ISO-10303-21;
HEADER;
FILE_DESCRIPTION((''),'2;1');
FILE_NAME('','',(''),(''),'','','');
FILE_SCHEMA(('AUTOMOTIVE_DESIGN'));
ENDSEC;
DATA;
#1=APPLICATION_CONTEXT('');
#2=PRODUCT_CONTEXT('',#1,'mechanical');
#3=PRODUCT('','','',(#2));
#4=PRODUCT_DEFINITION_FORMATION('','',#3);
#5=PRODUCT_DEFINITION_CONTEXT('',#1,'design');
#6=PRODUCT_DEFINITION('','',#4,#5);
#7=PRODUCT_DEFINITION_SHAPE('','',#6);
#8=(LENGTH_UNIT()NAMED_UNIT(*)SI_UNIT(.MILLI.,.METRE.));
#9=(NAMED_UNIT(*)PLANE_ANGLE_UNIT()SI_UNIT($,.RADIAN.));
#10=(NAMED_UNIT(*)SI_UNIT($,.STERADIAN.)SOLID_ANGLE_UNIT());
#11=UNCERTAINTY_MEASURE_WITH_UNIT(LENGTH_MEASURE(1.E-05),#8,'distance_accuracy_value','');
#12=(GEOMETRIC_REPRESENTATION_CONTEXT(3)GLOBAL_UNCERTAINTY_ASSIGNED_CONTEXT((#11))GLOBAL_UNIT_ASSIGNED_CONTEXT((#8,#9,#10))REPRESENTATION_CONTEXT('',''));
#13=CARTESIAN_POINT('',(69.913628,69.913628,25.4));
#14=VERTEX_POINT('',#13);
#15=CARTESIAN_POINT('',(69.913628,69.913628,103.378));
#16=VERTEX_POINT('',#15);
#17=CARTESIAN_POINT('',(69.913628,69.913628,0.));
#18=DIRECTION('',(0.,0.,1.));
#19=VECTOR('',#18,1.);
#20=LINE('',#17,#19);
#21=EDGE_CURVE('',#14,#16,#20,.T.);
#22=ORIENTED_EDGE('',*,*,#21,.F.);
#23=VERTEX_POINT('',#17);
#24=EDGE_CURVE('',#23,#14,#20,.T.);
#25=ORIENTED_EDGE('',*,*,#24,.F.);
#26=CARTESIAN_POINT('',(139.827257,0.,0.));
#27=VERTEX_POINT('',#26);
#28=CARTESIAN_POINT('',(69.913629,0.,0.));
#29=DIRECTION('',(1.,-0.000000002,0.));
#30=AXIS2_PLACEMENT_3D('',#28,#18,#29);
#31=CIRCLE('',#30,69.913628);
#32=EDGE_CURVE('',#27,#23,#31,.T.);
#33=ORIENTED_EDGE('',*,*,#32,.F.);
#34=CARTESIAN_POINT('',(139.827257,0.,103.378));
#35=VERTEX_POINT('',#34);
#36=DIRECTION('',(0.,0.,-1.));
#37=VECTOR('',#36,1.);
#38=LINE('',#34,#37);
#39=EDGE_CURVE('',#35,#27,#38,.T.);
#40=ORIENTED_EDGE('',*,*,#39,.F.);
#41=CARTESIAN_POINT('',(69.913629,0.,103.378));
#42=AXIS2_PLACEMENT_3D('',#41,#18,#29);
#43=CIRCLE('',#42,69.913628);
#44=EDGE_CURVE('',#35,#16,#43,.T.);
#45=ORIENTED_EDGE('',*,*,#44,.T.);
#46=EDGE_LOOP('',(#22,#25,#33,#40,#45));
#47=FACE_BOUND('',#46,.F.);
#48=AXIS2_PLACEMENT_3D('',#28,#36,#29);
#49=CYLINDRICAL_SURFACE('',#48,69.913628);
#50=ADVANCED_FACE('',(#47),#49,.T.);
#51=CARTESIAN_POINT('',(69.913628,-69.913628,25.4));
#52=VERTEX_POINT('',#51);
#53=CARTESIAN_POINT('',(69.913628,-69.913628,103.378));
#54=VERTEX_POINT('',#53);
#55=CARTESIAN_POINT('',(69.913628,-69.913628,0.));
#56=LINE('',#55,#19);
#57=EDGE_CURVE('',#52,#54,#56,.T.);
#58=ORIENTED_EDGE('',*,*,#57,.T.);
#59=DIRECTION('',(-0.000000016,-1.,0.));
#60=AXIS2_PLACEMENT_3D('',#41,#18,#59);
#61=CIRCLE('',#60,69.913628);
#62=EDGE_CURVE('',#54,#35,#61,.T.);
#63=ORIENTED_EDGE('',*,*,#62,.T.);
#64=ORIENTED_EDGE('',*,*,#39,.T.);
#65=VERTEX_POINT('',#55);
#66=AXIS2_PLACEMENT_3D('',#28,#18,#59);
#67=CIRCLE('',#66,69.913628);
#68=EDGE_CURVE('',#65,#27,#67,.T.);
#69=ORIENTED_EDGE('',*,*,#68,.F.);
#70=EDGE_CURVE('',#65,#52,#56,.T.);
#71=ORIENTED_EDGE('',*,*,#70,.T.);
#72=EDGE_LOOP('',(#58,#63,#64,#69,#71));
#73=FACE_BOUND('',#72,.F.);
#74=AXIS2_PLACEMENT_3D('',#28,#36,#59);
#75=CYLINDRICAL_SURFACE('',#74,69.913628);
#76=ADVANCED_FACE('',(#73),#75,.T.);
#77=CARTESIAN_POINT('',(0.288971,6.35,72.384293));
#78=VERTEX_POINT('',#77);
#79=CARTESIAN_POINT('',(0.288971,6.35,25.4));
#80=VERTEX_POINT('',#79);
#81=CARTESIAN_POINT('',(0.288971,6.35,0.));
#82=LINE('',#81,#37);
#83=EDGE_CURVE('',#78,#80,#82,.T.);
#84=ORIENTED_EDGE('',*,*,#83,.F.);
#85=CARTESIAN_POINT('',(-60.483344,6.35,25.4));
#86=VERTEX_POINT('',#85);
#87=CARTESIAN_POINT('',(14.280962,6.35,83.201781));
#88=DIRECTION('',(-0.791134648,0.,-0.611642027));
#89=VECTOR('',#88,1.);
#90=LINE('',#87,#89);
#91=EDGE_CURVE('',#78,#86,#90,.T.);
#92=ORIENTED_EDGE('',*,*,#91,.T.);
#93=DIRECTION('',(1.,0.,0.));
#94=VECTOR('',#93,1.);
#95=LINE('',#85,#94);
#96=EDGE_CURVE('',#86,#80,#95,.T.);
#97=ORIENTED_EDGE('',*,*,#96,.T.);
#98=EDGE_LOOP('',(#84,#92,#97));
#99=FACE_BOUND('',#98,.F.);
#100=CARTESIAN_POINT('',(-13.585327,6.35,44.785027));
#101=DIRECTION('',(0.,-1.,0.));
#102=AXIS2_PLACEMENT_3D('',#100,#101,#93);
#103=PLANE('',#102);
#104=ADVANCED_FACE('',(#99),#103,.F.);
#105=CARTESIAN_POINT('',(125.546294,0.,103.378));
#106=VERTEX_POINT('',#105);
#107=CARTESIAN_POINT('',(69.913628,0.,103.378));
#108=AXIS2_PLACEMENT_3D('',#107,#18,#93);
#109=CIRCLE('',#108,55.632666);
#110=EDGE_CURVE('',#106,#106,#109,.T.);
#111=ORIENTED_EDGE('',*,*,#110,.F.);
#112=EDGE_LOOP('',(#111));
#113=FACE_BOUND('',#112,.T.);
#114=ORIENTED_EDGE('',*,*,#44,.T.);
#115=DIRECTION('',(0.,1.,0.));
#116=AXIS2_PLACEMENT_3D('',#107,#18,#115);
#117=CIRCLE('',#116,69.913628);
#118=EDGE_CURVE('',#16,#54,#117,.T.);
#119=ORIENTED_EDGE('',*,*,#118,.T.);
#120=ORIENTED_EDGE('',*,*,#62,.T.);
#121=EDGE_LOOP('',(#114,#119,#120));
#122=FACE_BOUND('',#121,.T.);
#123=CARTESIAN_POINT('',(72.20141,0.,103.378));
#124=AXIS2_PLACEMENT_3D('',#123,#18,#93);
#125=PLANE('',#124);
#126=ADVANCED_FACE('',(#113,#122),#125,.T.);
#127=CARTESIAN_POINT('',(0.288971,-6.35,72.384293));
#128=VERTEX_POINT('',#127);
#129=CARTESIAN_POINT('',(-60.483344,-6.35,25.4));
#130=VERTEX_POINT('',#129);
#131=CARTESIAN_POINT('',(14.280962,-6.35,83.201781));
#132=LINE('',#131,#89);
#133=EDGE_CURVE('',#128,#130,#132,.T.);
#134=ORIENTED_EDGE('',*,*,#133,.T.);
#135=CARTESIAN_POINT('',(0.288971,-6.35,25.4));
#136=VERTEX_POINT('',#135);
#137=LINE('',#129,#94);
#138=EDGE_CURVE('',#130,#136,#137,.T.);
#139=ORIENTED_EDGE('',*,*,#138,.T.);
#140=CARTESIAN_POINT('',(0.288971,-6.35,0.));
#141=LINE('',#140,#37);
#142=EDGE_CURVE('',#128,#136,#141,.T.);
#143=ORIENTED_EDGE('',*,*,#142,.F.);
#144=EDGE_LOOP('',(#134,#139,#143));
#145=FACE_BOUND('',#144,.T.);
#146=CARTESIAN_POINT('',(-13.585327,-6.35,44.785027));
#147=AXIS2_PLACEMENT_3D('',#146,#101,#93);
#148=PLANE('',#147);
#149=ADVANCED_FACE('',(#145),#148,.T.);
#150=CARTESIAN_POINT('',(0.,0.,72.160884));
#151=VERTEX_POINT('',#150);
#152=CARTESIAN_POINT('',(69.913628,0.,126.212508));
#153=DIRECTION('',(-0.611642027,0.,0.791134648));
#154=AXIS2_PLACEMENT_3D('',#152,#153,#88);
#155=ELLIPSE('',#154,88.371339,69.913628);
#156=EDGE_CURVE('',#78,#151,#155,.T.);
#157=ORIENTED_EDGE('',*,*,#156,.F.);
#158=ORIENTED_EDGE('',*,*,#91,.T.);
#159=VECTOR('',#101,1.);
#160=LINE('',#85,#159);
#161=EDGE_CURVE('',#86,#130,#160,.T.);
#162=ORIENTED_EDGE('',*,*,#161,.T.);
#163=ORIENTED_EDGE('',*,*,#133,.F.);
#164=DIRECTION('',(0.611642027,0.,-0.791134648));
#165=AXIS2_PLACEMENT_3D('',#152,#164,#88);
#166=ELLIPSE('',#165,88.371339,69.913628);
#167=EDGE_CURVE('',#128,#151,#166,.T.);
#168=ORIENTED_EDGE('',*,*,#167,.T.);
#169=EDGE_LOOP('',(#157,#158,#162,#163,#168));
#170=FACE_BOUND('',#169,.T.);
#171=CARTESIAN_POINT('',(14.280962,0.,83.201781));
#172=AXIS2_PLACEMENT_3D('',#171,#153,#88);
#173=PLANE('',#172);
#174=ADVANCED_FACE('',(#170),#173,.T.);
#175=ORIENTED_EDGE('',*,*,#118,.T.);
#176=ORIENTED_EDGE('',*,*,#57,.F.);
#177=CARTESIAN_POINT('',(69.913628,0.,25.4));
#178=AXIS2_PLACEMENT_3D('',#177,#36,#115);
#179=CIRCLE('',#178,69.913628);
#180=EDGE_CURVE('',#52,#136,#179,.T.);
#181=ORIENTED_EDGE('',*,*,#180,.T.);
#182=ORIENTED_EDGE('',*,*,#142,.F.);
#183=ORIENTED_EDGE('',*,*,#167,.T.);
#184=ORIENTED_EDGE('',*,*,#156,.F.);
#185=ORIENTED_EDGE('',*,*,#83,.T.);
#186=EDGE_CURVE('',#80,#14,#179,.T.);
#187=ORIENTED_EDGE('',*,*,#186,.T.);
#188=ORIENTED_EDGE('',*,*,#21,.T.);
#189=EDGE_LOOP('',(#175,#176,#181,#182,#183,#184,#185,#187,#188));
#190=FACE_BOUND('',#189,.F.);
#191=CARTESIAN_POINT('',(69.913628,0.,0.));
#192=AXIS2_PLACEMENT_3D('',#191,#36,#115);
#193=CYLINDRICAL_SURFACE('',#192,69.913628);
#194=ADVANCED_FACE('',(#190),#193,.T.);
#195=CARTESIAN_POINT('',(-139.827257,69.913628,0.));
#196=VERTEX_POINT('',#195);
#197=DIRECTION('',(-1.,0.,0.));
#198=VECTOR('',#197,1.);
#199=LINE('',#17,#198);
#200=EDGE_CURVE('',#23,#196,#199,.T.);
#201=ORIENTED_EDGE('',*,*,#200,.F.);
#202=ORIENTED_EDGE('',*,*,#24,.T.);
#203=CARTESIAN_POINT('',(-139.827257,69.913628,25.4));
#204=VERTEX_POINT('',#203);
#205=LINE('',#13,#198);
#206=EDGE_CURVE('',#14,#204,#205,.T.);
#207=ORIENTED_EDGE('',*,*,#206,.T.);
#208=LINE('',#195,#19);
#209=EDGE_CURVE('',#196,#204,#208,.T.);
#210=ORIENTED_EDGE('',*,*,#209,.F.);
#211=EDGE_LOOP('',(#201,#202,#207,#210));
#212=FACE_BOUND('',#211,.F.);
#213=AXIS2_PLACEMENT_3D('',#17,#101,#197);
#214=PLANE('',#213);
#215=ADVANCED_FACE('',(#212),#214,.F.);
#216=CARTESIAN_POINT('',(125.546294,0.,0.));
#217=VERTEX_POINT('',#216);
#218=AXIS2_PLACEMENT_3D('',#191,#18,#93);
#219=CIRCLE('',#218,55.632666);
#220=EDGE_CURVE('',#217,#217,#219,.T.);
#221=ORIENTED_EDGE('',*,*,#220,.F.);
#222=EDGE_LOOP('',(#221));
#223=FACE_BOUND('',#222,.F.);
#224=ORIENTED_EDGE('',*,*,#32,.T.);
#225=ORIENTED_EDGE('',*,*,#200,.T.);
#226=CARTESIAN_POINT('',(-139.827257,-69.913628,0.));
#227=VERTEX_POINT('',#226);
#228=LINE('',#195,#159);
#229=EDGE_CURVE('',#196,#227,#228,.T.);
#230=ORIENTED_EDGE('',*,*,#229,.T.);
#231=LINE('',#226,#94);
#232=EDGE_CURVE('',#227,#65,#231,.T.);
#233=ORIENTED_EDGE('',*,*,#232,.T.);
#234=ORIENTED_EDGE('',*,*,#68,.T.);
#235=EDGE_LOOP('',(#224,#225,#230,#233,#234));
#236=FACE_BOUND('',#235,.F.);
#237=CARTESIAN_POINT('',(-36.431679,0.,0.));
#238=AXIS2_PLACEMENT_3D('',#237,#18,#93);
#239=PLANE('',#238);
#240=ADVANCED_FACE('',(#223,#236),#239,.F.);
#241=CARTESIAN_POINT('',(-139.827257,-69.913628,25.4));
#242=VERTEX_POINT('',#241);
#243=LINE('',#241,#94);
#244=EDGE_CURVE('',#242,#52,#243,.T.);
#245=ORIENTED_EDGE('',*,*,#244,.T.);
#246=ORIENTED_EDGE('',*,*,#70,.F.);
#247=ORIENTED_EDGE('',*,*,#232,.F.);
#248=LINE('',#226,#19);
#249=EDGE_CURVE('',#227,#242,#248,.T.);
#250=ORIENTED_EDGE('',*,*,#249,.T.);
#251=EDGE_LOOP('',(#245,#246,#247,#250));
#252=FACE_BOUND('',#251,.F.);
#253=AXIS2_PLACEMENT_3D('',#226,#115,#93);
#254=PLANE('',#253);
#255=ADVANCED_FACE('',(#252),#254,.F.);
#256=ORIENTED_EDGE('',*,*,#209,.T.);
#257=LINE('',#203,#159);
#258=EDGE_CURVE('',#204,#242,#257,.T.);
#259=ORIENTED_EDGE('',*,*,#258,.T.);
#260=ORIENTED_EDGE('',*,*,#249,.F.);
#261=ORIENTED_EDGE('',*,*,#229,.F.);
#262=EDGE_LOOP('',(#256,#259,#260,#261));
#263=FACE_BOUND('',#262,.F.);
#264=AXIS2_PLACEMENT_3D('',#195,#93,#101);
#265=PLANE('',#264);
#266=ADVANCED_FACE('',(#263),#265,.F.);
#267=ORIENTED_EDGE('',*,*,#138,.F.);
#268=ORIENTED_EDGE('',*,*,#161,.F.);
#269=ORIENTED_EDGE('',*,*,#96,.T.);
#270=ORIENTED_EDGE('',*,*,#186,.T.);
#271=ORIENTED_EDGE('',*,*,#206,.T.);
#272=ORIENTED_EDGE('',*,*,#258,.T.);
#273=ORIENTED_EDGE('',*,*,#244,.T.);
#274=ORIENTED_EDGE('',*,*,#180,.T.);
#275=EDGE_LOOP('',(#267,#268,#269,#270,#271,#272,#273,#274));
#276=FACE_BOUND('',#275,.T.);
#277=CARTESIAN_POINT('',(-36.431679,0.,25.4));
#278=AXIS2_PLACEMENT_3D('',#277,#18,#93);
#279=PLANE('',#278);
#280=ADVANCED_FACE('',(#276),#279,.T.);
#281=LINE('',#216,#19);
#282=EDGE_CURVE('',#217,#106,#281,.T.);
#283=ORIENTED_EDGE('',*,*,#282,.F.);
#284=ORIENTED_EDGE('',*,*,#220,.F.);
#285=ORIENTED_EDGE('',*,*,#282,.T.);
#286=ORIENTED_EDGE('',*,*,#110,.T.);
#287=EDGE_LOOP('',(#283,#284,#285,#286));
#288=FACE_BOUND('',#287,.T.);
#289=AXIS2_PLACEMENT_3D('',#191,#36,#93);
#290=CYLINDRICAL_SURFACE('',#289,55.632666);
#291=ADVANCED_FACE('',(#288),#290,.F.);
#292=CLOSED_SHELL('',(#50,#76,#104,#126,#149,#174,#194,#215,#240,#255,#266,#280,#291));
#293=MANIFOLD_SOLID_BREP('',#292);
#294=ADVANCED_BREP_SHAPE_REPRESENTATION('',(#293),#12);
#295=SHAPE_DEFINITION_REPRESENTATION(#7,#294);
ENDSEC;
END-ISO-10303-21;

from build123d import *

# Parameters (mm, degrees)
F0_R          = 55.632666
F1_DEPTH      = 25.4
F2_DEPTH      = 103.378
F4_DEPTH      = 6.35
F4_DEPTH_BACK = 6.35


with BuildPart() as f1:
    # F0 (on Top) → F1 (new body)
    with BuildSketch(Plane.XY):
        with BuildLine():
            Line((-139.827257, 69.913628), (-139.827257, -69.913628))
            Line((-139.827257, -69.913628), (69.913628, -69.913628))
            ThreePointArc((69.913628, -69.913628), (0, 0), (69.913628, 69.913628))
            Line((69.913628, 69.913628), (-139.827257, 69.913628))
        make_face()
        with BuildLine():
            ThreePointArc((69.913628, 69.913628), (0, 0), (69.913628, -69.913628))
            ThreePointArc((69.913628, -69.913628), (119.350029, -49.436401), (139.827257, 0))
            ThreePointArc((139.827257, 0), (119.350029, 49.436401), (69.913628, 69.913628))
        make_face()
        with Locations((69.913628, 0)):
            Circle(F0_R, mode=Mode.SUBTRACT)
    extrude(amount=F1_DEPTH)

    # F0 (on Top) → F2 (join)
    with BuildSketch(Plane.XY):
        with BuildLine():
            ThreePointArc((69.913628, 69.913628), (0, 0), (69.913628, -69.913628))
            ThreePointArc((69.913628, -69.913628), (119.350029, -49.436401), (139.827257, 0))
            ThreePointArc((139.827257, 0), (119.350029, 49.436401), (69.913628, 69.913628))
        make_face()
        with Locations((69.913628, 0)):
            Circle(F0_R, mode=Mode.SUBTRACT)
    extrude(amount=F2_DEPTH)

    # F3 (on Front) → F4 (join, two sides)
    with BuildSketch(Plane.XZ) as f4_sk:
        Polygon((14.280962, 83.201781), (-60.483344, 25.4), (14.280962, 25.4), align=None)
    extrude(amount=F4_DEPTH)
    extrude(f4_sk.sketch, amount=-F4_DEPTH_BACK)


solid = f1.part
